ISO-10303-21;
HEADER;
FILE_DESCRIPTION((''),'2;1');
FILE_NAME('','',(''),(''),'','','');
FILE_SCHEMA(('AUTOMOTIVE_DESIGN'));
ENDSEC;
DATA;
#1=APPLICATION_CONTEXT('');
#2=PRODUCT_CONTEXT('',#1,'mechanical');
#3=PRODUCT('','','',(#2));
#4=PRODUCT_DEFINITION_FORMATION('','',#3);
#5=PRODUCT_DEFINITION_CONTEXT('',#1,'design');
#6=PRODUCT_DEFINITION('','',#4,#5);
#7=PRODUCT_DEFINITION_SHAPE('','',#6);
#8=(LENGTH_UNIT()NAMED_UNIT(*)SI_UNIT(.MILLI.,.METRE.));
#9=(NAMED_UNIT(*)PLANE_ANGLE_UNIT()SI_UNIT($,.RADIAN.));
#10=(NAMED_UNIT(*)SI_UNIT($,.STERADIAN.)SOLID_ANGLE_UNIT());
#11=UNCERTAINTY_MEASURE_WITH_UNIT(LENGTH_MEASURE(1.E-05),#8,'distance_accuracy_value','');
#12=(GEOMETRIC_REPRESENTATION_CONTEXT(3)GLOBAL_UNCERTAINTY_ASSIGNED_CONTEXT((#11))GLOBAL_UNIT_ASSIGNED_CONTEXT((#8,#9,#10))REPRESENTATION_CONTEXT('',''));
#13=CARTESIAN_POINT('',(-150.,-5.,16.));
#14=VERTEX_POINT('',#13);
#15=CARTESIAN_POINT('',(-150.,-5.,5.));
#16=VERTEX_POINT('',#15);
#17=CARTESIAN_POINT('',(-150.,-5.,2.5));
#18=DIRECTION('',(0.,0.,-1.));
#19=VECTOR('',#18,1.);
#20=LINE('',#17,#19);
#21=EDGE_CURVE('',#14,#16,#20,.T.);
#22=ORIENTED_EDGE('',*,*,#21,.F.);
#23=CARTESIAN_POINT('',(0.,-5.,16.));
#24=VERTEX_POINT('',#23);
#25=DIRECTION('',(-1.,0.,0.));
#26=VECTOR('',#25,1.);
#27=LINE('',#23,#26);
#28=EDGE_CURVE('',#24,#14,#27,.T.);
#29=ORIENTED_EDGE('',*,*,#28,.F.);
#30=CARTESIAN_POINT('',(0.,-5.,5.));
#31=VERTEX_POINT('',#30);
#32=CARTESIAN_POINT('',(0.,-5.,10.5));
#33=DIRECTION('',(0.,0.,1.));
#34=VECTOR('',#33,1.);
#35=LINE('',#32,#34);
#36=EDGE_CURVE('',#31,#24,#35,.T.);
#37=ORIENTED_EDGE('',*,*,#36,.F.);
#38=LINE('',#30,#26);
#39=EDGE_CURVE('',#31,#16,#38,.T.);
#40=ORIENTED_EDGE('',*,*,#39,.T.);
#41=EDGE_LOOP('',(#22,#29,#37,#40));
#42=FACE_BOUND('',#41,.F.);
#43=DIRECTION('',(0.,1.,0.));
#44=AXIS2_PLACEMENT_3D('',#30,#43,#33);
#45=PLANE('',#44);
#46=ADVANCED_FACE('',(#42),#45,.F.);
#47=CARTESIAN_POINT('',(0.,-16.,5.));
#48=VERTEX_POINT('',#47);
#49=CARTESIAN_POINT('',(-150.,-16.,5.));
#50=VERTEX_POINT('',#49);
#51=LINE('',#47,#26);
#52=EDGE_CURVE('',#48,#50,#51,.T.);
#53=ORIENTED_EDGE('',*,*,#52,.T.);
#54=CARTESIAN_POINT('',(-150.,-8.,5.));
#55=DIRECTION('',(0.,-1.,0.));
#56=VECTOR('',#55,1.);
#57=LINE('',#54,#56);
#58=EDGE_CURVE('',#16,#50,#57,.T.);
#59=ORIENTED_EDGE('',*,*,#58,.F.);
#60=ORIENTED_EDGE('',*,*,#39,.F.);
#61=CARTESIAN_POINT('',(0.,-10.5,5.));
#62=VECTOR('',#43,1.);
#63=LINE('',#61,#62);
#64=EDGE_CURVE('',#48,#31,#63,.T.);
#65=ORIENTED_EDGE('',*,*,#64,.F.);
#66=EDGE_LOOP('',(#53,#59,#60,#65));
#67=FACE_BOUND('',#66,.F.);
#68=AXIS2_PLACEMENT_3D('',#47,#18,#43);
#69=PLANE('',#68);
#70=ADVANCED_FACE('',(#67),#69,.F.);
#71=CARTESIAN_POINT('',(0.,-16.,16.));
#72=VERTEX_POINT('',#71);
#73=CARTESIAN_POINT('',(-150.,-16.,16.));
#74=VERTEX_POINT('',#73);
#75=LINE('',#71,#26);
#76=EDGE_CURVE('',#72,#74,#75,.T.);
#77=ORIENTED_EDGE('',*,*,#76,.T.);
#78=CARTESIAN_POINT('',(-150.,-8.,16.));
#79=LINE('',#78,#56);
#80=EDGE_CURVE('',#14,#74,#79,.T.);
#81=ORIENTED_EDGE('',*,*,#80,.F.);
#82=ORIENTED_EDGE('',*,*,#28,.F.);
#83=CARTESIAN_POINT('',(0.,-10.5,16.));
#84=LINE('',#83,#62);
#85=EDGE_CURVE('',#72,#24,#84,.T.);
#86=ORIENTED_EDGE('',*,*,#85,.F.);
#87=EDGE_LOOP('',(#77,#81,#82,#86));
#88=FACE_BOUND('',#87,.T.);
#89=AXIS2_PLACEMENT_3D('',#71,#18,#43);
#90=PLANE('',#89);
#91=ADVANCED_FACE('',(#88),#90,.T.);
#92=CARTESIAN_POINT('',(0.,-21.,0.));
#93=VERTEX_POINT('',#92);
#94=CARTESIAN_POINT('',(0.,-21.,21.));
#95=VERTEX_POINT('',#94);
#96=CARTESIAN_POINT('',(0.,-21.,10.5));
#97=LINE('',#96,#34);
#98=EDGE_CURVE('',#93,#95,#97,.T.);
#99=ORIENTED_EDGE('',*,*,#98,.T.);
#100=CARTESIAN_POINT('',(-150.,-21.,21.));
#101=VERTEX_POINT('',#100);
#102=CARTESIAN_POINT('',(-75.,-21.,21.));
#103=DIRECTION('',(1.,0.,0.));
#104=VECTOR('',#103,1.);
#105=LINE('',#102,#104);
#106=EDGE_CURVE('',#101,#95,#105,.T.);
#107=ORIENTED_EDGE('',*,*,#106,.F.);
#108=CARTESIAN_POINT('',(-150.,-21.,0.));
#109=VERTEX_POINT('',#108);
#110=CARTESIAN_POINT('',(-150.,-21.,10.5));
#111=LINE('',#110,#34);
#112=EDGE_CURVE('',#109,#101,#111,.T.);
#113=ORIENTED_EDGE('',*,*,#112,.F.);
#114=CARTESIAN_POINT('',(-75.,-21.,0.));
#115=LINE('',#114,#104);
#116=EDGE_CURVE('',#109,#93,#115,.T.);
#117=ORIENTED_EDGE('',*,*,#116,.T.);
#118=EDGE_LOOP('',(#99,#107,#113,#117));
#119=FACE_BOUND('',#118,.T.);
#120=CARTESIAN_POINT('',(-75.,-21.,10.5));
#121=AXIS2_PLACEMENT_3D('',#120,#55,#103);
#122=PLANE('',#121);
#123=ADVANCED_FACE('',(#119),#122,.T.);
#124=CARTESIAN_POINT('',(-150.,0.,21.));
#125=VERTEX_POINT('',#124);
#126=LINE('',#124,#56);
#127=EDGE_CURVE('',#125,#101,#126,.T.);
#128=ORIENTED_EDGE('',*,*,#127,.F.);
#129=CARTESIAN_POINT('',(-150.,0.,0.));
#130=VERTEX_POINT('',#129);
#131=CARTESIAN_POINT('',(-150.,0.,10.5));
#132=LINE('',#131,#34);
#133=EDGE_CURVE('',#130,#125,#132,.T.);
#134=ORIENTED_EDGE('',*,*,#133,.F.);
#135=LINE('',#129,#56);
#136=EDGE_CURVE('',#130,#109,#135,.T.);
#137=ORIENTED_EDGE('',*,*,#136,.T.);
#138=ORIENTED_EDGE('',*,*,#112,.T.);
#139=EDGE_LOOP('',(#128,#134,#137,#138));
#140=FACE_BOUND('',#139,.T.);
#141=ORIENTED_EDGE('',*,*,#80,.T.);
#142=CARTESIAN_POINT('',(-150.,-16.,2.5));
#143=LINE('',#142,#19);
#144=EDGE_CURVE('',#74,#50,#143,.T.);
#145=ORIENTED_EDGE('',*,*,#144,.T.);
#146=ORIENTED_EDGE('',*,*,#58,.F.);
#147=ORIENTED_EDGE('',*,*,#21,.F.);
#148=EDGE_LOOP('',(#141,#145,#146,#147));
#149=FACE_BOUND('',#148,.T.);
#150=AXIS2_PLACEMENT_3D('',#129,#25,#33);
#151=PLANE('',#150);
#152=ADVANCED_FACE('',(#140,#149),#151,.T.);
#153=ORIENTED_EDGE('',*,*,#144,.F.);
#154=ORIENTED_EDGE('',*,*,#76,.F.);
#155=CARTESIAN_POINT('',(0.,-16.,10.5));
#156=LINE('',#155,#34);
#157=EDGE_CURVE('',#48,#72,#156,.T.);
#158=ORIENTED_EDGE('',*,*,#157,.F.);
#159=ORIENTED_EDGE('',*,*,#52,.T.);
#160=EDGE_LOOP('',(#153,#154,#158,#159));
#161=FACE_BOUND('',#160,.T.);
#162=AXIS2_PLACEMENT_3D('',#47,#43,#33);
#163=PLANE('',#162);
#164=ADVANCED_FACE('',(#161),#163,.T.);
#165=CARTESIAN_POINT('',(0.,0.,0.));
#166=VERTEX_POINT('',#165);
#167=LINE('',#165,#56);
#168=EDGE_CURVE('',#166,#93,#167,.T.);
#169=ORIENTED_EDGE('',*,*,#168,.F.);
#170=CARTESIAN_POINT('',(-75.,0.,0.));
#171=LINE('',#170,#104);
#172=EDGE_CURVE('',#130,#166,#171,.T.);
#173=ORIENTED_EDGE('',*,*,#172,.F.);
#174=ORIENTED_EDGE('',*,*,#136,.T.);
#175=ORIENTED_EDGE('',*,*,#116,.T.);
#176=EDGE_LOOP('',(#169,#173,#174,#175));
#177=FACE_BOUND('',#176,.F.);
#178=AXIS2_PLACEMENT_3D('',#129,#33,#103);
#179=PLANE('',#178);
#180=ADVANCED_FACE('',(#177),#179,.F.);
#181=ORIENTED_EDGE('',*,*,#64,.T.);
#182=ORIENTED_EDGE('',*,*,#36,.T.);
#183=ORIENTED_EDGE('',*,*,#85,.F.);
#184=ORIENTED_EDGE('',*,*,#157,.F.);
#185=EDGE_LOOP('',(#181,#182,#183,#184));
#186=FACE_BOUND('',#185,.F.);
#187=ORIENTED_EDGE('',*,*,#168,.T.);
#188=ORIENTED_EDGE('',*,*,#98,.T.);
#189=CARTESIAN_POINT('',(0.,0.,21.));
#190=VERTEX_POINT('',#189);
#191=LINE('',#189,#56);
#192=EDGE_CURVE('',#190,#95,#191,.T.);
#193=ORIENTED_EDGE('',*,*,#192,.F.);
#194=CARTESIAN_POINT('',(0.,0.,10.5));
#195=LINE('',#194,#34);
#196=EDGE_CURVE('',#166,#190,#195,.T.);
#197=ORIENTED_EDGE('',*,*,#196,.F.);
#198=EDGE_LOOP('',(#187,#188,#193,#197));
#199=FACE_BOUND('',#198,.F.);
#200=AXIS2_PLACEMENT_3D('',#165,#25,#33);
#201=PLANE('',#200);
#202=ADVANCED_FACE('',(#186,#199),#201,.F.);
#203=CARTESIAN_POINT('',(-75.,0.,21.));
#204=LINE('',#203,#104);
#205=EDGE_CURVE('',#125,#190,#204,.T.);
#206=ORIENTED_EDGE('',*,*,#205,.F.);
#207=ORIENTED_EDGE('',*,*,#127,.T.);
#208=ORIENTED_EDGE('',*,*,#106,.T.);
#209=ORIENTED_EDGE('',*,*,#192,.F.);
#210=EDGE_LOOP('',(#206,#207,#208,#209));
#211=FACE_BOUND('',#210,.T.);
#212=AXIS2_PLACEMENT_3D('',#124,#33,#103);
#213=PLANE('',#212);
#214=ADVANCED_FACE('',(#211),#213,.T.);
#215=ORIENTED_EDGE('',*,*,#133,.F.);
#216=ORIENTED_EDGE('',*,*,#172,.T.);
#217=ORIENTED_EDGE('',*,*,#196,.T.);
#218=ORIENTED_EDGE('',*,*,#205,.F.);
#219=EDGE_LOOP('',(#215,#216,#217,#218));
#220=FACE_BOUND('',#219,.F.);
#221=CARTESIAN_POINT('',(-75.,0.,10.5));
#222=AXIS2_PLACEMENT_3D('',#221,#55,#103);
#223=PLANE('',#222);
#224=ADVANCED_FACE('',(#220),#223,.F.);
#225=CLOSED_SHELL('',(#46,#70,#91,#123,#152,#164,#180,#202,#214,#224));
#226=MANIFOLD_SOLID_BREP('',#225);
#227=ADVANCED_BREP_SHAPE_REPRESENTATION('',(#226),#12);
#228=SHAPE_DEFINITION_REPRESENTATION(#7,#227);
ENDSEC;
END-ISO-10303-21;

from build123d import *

# Parameters (mm, degrees)
F0_W     = 150
F0_H     = 21
F1_DEPTH = 21
F2_W     = 11
F2_H     = 11
F3_DEPTH = 200


with BuildPart() as f1:
    # F0 (on Front) → F1 (new body)
    with BuildSketch(Plane.XZ):
        with Locations((-75, 10.5)):
            Rectangle(F0_W, F0_H)
    extrude(amount=F1_DEPTH)

    # F2 (on Right) → F3 (cut)
    with BuildSketch(Plane.YZ):
        with Locations((-10.5, 10.5)):
            Rectangle(F2_W, F2_H)
    extrude(amount=-F3_DEPTH, mode=Mode.SUBTRACT)


solid = f1.part
